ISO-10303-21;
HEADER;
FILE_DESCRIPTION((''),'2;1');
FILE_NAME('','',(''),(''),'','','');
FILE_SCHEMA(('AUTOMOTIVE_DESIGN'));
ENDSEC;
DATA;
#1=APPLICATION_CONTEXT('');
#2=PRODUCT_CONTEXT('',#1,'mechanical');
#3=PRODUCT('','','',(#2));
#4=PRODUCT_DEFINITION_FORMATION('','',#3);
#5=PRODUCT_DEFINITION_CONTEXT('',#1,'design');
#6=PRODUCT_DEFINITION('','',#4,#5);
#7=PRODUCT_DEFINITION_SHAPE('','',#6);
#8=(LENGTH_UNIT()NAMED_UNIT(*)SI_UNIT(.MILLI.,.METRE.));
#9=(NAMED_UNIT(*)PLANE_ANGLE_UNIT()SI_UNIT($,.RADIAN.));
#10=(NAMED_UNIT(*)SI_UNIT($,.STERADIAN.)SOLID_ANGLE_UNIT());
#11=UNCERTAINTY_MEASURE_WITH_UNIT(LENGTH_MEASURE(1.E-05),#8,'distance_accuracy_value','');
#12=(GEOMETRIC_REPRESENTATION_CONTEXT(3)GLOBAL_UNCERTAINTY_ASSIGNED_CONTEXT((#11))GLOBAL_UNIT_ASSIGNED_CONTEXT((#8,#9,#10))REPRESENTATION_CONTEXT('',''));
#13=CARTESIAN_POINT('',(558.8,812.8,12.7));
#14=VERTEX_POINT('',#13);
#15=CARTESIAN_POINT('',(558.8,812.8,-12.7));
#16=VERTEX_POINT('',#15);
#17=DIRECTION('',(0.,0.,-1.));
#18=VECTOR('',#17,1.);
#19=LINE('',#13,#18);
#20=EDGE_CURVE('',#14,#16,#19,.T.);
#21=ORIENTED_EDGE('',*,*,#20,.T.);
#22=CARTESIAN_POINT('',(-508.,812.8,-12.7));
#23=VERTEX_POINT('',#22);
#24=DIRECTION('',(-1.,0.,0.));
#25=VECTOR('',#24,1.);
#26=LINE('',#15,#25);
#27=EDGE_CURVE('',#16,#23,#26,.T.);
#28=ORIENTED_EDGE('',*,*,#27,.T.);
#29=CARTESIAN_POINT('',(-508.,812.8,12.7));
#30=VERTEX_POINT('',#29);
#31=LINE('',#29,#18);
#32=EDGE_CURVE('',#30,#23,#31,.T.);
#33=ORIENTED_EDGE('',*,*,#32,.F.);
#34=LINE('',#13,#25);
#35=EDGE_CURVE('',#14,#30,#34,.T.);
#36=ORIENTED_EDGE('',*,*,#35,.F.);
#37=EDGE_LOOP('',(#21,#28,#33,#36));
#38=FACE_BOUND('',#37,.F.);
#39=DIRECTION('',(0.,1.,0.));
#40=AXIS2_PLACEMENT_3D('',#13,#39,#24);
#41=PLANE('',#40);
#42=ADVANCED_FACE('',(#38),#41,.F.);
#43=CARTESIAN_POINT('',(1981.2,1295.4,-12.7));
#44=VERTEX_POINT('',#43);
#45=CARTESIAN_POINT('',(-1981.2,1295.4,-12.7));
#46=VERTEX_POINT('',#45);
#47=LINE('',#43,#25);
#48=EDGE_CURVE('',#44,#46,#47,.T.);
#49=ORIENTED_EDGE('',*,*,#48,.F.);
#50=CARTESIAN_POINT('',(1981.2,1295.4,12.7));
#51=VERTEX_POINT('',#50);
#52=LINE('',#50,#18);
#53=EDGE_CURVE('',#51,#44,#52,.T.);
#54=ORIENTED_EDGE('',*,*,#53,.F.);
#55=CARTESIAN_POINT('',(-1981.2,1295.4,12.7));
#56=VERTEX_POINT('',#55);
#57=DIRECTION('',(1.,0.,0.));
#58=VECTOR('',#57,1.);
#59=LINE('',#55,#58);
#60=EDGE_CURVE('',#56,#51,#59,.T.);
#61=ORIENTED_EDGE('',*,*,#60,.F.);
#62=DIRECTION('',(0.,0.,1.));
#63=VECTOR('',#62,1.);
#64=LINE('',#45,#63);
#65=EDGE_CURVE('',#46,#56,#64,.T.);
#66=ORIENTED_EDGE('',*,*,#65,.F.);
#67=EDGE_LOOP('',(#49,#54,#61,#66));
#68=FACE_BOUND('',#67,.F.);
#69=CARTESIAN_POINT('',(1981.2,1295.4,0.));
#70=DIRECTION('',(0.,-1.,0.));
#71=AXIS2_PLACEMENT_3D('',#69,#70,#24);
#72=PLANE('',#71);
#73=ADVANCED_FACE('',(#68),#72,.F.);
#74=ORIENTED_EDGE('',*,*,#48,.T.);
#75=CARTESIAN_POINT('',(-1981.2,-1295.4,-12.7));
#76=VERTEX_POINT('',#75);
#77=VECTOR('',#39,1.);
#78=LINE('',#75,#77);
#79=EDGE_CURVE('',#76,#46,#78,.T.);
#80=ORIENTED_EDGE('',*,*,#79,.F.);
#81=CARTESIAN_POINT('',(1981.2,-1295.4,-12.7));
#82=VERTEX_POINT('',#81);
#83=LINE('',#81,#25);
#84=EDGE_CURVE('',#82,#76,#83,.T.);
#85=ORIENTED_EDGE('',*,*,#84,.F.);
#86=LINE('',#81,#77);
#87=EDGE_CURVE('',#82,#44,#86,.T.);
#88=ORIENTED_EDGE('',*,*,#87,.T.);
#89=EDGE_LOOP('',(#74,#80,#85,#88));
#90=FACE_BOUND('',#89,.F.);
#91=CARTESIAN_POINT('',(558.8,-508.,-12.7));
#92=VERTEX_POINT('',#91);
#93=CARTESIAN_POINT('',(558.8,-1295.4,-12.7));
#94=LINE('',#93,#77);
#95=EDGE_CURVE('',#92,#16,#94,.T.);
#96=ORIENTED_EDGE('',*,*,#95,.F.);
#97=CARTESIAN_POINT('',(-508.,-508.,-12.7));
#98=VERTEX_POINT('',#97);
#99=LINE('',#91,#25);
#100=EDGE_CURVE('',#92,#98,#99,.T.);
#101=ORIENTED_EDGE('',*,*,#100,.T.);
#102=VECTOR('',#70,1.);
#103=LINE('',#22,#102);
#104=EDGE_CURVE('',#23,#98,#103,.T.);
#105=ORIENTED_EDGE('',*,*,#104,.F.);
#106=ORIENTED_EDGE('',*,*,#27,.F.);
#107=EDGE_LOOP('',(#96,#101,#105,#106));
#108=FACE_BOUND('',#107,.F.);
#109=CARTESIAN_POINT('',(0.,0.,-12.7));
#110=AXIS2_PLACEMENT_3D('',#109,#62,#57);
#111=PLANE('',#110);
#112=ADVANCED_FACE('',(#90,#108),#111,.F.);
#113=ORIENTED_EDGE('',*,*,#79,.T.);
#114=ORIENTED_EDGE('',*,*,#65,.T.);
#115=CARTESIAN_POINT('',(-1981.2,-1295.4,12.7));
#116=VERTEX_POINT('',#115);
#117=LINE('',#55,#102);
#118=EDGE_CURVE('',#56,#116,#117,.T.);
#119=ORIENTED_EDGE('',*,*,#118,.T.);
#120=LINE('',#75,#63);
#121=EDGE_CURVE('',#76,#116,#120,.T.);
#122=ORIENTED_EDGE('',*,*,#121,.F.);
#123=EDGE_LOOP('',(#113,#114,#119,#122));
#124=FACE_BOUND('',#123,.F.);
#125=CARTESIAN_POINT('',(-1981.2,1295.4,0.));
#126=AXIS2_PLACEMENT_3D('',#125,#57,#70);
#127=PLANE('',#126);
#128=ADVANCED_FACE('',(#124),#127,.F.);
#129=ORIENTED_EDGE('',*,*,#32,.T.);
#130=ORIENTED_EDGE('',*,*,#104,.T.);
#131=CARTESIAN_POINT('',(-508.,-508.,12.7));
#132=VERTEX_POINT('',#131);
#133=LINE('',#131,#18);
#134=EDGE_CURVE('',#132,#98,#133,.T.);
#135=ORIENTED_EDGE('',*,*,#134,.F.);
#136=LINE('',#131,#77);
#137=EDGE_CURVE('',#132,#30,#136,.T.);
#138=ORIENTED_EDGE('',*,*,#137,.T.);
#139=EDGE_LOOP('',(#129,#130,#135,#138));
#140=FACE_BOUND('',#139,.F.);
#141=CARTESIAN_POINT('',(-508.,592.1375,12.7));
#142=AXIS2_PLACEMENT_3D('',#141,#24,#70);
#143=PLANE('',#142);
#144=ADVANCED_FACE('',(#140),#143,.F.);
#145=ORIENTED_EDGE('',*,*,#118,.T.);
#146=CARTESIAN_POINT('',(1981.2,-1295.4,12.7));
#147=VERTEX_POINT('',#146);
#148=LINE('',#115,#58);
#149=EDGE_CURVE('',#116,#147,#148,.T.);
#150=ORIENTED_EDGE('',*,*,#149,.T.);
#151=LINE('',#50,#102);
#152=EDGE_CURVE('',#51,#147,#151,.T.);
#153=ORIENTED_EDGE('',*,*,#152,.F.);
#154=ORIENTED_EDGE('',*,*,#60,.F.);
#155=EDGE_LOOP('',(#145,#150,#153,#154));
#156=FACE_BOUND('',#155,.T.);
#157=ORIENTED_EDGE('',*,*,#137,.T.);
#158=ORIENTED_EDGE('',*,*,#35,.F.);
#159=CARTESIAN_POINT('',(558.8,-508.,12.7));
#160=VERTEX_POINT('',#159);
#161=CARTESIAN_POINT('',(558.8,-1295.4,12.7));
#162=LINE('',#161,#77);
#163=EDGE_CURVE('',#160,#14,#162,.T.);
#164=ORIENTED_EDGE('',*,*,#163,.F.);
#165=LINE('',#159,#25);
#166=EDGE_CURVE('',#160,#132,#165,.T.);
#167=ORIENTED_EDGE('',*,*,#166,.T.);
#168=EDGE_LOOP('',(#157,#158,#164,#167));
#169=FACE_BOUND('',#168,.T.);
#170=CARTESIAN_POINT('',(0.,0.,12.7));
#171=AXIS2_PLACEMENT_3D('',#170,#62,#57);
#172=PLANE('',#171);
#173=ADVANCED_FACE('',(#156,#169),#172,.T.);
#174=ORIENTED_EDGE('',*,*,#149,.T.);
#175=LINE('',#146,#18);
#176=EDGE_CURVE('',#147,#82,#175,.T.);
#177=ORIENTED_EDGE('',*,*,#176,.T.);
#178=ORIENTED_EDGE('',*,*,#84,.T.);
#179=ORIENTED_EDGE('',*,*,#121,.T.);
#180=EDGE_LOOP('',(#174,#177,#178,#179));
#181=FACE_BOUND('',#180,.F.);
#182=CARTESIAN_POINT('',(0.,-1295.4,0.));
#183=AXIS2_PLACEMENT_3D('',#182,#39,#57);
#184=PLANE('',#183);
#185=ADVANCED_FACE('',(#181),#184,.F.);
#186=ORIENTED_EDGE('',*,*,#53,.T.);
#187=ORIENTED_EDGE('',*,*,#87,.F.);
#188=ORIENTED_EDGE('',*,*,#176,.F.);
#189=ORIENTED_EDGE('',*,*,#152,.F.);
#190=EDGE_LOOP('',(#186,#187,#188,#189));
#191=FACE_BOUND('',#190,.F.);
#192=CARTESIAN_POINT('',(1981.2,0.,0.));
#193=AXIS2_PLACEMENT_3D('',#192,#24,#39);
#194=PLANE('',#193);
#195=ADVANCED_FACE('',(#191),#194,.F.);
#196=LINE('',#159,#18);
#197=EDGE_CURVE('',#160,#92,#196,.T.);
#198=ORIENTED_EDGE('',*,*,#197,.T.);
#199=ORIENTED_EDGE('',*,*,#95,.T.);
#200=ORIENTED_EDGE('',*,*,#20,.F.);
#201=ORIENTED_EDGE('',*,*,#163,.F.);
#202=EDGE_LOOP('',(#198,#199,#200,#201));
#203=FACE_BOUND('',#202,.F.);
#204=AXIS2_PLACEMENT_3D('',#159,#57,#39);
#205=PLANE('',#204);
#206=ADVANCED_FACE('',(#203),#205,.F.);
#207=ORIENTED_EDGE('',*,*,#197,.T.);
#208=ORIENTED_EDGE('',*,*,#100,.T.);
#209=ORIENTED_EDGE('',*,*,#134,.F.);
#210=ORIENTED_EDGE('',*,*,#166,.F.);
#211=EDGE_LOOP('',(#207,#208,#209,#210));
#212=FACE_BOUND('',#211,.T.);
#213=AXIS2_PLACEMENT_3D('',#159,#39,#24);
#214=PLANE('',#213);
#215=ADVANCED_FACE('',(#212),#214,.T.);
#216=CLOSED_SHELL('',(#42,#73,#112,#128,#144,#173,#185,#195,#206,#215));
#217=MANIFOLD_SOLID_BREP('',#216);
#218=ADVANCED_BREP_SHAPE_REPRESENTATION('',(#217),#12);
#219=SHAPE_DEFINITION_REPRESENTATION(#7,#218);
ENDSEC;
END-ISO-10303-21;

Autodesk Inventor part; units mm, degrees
ref_plane "YZ Plane" through (0, 0, 0) normal (1, 0, 0) x (0, 1, 0)
ref_plane "XZ Plane" through (0, 0, 0) normal (0, 1, 0) x (-1, 0, 0)
ref_plane "XY Plane" through (0, 0, 0) normal (0, 0, 1) x (1, 0, 0)
sketch "Sketch1" plane through (0, 0, 0) normal (0, 0, 1) x (1, 0, 0)
  line L0 (0, 1813.56) -> (0, -1813.56) projected
  line L1 (-2773.68, 0) -> (2773.68, 0) projected
  line L2 (0, -1813.56) -> (0, 1813.56) projected
  line L3 (-2773.68, 0) -> (2773.68, 0) projected
  line L4 (-1981.2, -1295.4) -> (1981.2, -1295.4)
  line L5 (1981.2, -1295.4) -> (1981.2, 1295.4)
  line L6 (1981.2, 1295.4) -> (-1981.2, 1295.4)
  line L7 (-1981.2, 1295.4) -> (-1981.2, -1295.4)
  point P0 (0, 0)
  dimension "d0" = 3962.4
  dimension "d1" = 2590.8
extrude "Extrusion1" add sketch "Sketch1" along normal mid plane 25.4
sketch "Sketch2" plane through (0, 0, 12.7) normal (0, 0, 1) x (1, 0, 0)
  line L0 (-1981.2, -1295.4) -> (1981.2, -1295.4) projected
  line L1 (1981.2, -1295.4) -> (1981.2, 1295.4) projected
  line L2 (1981.2, 1295.4) -> (-1981.2, 1295.4) projected
  line L3 (-1981.2, 1295.4) -> (-1981.2, -1295.4) projected
  line L4 (1981.2, 1295.4) -> (-1981.2, 1295.4) projected
  line L5 (-1981.2, -1295.4) -> (-558.8, -1295.4)
  line L6 (-558.8, -1295.4) -> (-558.8, 1295.4)
  line L7 (-558.8, 1295.4) -> (-1981.2, 1295.4)
  line L8 (-1981.2, 1295.4) -> (-1981.2, -1295.4)
  line L9 (1981.2, -1295.4) -> (609.6, -1295.4)
  line L10 (609.6, -1295.4) -> (609.6, 1295.4)
  line L11 (609.6, 1295.4) -> (1981.2, 1295.4)
  line L12 (1981.2, 1295.4) -> (1981.2, -1295.4)
  line L13 (-558.8, 1295.4) -> (-508, 1295.4)
  line L14 (-508, 1295.4) -> (-508, -1295.4)
  line L15 (-508, -1295.4) -> (-558.8, -1295.4)
  line L16 (-558.8, -1295.4) -> (-558.8, 1295.4)
  line L17 (609.6, -1295.4) -> (558.8, -1295.4)
  line L18 (558.8, -1295.4) -> (558.8, 1295.4)
  line L19 (558.8, 1295.4) -> (609.6, 1295.4)
  line L20 (609.6, 1295.4) -> (609.6, -1295.4)
  line L21 (-508, 1295.4) -> (558.8, 1295.4)
  line L22 (558.8, 1295.4) -> (558.8, -1295.4)
  line L23 (558.8, -1295.4) -> (-508, -1295.4)
  line L24 (-508, -1295.4) -> (-508, 1295.4)
  line L25 (-508, 1295.4) -> (558.8, 1295.4)
  line L26 (558.8, 1295.4) -> (558.8, 889)
  line L27 (558.8, 889) -> (-508, 889)
  line L28 (-508, 889) -> (-508, 1295.4)
  line L29 (-508, 889) -> (-406.4, 889)
  line L30 (-508, 592.1375) -> (-508, 889)
  line L31 (-508, 889) -> (558.8, 889)
  line L32 (558.8, 889) -> (558.8, 812.8)
  line L33 (558.8, 812.8) -> (-508, 812.8)
  line L34 (-508, 812.8) -> (-508, 889)
  line L35 (-508, 812.8) -> (558.8, 812.8)
  line L36 (558.8, 812.8) -> (558.8, -508)
  line L37 (558.8, -508) -> (-508, -508)
  line L38 (-508, -508) -> (-508, 812.8)
  point P0 (0, 0)
  dimension "d4" = 1422.4
  dimension "d5" = 1371.6
  dimension "d6" = 50.8
  dimension "d7" = 50.8
  dimension "d8" = 406.4
  dimension "d10" = 76.2
  dimension "d11" = 1320.8
extrude "Extrusion2" cut sketch "Sketch2" against normal blind 25.4 contours L14 L33 L18 L37
properties part number "SouthWall"
